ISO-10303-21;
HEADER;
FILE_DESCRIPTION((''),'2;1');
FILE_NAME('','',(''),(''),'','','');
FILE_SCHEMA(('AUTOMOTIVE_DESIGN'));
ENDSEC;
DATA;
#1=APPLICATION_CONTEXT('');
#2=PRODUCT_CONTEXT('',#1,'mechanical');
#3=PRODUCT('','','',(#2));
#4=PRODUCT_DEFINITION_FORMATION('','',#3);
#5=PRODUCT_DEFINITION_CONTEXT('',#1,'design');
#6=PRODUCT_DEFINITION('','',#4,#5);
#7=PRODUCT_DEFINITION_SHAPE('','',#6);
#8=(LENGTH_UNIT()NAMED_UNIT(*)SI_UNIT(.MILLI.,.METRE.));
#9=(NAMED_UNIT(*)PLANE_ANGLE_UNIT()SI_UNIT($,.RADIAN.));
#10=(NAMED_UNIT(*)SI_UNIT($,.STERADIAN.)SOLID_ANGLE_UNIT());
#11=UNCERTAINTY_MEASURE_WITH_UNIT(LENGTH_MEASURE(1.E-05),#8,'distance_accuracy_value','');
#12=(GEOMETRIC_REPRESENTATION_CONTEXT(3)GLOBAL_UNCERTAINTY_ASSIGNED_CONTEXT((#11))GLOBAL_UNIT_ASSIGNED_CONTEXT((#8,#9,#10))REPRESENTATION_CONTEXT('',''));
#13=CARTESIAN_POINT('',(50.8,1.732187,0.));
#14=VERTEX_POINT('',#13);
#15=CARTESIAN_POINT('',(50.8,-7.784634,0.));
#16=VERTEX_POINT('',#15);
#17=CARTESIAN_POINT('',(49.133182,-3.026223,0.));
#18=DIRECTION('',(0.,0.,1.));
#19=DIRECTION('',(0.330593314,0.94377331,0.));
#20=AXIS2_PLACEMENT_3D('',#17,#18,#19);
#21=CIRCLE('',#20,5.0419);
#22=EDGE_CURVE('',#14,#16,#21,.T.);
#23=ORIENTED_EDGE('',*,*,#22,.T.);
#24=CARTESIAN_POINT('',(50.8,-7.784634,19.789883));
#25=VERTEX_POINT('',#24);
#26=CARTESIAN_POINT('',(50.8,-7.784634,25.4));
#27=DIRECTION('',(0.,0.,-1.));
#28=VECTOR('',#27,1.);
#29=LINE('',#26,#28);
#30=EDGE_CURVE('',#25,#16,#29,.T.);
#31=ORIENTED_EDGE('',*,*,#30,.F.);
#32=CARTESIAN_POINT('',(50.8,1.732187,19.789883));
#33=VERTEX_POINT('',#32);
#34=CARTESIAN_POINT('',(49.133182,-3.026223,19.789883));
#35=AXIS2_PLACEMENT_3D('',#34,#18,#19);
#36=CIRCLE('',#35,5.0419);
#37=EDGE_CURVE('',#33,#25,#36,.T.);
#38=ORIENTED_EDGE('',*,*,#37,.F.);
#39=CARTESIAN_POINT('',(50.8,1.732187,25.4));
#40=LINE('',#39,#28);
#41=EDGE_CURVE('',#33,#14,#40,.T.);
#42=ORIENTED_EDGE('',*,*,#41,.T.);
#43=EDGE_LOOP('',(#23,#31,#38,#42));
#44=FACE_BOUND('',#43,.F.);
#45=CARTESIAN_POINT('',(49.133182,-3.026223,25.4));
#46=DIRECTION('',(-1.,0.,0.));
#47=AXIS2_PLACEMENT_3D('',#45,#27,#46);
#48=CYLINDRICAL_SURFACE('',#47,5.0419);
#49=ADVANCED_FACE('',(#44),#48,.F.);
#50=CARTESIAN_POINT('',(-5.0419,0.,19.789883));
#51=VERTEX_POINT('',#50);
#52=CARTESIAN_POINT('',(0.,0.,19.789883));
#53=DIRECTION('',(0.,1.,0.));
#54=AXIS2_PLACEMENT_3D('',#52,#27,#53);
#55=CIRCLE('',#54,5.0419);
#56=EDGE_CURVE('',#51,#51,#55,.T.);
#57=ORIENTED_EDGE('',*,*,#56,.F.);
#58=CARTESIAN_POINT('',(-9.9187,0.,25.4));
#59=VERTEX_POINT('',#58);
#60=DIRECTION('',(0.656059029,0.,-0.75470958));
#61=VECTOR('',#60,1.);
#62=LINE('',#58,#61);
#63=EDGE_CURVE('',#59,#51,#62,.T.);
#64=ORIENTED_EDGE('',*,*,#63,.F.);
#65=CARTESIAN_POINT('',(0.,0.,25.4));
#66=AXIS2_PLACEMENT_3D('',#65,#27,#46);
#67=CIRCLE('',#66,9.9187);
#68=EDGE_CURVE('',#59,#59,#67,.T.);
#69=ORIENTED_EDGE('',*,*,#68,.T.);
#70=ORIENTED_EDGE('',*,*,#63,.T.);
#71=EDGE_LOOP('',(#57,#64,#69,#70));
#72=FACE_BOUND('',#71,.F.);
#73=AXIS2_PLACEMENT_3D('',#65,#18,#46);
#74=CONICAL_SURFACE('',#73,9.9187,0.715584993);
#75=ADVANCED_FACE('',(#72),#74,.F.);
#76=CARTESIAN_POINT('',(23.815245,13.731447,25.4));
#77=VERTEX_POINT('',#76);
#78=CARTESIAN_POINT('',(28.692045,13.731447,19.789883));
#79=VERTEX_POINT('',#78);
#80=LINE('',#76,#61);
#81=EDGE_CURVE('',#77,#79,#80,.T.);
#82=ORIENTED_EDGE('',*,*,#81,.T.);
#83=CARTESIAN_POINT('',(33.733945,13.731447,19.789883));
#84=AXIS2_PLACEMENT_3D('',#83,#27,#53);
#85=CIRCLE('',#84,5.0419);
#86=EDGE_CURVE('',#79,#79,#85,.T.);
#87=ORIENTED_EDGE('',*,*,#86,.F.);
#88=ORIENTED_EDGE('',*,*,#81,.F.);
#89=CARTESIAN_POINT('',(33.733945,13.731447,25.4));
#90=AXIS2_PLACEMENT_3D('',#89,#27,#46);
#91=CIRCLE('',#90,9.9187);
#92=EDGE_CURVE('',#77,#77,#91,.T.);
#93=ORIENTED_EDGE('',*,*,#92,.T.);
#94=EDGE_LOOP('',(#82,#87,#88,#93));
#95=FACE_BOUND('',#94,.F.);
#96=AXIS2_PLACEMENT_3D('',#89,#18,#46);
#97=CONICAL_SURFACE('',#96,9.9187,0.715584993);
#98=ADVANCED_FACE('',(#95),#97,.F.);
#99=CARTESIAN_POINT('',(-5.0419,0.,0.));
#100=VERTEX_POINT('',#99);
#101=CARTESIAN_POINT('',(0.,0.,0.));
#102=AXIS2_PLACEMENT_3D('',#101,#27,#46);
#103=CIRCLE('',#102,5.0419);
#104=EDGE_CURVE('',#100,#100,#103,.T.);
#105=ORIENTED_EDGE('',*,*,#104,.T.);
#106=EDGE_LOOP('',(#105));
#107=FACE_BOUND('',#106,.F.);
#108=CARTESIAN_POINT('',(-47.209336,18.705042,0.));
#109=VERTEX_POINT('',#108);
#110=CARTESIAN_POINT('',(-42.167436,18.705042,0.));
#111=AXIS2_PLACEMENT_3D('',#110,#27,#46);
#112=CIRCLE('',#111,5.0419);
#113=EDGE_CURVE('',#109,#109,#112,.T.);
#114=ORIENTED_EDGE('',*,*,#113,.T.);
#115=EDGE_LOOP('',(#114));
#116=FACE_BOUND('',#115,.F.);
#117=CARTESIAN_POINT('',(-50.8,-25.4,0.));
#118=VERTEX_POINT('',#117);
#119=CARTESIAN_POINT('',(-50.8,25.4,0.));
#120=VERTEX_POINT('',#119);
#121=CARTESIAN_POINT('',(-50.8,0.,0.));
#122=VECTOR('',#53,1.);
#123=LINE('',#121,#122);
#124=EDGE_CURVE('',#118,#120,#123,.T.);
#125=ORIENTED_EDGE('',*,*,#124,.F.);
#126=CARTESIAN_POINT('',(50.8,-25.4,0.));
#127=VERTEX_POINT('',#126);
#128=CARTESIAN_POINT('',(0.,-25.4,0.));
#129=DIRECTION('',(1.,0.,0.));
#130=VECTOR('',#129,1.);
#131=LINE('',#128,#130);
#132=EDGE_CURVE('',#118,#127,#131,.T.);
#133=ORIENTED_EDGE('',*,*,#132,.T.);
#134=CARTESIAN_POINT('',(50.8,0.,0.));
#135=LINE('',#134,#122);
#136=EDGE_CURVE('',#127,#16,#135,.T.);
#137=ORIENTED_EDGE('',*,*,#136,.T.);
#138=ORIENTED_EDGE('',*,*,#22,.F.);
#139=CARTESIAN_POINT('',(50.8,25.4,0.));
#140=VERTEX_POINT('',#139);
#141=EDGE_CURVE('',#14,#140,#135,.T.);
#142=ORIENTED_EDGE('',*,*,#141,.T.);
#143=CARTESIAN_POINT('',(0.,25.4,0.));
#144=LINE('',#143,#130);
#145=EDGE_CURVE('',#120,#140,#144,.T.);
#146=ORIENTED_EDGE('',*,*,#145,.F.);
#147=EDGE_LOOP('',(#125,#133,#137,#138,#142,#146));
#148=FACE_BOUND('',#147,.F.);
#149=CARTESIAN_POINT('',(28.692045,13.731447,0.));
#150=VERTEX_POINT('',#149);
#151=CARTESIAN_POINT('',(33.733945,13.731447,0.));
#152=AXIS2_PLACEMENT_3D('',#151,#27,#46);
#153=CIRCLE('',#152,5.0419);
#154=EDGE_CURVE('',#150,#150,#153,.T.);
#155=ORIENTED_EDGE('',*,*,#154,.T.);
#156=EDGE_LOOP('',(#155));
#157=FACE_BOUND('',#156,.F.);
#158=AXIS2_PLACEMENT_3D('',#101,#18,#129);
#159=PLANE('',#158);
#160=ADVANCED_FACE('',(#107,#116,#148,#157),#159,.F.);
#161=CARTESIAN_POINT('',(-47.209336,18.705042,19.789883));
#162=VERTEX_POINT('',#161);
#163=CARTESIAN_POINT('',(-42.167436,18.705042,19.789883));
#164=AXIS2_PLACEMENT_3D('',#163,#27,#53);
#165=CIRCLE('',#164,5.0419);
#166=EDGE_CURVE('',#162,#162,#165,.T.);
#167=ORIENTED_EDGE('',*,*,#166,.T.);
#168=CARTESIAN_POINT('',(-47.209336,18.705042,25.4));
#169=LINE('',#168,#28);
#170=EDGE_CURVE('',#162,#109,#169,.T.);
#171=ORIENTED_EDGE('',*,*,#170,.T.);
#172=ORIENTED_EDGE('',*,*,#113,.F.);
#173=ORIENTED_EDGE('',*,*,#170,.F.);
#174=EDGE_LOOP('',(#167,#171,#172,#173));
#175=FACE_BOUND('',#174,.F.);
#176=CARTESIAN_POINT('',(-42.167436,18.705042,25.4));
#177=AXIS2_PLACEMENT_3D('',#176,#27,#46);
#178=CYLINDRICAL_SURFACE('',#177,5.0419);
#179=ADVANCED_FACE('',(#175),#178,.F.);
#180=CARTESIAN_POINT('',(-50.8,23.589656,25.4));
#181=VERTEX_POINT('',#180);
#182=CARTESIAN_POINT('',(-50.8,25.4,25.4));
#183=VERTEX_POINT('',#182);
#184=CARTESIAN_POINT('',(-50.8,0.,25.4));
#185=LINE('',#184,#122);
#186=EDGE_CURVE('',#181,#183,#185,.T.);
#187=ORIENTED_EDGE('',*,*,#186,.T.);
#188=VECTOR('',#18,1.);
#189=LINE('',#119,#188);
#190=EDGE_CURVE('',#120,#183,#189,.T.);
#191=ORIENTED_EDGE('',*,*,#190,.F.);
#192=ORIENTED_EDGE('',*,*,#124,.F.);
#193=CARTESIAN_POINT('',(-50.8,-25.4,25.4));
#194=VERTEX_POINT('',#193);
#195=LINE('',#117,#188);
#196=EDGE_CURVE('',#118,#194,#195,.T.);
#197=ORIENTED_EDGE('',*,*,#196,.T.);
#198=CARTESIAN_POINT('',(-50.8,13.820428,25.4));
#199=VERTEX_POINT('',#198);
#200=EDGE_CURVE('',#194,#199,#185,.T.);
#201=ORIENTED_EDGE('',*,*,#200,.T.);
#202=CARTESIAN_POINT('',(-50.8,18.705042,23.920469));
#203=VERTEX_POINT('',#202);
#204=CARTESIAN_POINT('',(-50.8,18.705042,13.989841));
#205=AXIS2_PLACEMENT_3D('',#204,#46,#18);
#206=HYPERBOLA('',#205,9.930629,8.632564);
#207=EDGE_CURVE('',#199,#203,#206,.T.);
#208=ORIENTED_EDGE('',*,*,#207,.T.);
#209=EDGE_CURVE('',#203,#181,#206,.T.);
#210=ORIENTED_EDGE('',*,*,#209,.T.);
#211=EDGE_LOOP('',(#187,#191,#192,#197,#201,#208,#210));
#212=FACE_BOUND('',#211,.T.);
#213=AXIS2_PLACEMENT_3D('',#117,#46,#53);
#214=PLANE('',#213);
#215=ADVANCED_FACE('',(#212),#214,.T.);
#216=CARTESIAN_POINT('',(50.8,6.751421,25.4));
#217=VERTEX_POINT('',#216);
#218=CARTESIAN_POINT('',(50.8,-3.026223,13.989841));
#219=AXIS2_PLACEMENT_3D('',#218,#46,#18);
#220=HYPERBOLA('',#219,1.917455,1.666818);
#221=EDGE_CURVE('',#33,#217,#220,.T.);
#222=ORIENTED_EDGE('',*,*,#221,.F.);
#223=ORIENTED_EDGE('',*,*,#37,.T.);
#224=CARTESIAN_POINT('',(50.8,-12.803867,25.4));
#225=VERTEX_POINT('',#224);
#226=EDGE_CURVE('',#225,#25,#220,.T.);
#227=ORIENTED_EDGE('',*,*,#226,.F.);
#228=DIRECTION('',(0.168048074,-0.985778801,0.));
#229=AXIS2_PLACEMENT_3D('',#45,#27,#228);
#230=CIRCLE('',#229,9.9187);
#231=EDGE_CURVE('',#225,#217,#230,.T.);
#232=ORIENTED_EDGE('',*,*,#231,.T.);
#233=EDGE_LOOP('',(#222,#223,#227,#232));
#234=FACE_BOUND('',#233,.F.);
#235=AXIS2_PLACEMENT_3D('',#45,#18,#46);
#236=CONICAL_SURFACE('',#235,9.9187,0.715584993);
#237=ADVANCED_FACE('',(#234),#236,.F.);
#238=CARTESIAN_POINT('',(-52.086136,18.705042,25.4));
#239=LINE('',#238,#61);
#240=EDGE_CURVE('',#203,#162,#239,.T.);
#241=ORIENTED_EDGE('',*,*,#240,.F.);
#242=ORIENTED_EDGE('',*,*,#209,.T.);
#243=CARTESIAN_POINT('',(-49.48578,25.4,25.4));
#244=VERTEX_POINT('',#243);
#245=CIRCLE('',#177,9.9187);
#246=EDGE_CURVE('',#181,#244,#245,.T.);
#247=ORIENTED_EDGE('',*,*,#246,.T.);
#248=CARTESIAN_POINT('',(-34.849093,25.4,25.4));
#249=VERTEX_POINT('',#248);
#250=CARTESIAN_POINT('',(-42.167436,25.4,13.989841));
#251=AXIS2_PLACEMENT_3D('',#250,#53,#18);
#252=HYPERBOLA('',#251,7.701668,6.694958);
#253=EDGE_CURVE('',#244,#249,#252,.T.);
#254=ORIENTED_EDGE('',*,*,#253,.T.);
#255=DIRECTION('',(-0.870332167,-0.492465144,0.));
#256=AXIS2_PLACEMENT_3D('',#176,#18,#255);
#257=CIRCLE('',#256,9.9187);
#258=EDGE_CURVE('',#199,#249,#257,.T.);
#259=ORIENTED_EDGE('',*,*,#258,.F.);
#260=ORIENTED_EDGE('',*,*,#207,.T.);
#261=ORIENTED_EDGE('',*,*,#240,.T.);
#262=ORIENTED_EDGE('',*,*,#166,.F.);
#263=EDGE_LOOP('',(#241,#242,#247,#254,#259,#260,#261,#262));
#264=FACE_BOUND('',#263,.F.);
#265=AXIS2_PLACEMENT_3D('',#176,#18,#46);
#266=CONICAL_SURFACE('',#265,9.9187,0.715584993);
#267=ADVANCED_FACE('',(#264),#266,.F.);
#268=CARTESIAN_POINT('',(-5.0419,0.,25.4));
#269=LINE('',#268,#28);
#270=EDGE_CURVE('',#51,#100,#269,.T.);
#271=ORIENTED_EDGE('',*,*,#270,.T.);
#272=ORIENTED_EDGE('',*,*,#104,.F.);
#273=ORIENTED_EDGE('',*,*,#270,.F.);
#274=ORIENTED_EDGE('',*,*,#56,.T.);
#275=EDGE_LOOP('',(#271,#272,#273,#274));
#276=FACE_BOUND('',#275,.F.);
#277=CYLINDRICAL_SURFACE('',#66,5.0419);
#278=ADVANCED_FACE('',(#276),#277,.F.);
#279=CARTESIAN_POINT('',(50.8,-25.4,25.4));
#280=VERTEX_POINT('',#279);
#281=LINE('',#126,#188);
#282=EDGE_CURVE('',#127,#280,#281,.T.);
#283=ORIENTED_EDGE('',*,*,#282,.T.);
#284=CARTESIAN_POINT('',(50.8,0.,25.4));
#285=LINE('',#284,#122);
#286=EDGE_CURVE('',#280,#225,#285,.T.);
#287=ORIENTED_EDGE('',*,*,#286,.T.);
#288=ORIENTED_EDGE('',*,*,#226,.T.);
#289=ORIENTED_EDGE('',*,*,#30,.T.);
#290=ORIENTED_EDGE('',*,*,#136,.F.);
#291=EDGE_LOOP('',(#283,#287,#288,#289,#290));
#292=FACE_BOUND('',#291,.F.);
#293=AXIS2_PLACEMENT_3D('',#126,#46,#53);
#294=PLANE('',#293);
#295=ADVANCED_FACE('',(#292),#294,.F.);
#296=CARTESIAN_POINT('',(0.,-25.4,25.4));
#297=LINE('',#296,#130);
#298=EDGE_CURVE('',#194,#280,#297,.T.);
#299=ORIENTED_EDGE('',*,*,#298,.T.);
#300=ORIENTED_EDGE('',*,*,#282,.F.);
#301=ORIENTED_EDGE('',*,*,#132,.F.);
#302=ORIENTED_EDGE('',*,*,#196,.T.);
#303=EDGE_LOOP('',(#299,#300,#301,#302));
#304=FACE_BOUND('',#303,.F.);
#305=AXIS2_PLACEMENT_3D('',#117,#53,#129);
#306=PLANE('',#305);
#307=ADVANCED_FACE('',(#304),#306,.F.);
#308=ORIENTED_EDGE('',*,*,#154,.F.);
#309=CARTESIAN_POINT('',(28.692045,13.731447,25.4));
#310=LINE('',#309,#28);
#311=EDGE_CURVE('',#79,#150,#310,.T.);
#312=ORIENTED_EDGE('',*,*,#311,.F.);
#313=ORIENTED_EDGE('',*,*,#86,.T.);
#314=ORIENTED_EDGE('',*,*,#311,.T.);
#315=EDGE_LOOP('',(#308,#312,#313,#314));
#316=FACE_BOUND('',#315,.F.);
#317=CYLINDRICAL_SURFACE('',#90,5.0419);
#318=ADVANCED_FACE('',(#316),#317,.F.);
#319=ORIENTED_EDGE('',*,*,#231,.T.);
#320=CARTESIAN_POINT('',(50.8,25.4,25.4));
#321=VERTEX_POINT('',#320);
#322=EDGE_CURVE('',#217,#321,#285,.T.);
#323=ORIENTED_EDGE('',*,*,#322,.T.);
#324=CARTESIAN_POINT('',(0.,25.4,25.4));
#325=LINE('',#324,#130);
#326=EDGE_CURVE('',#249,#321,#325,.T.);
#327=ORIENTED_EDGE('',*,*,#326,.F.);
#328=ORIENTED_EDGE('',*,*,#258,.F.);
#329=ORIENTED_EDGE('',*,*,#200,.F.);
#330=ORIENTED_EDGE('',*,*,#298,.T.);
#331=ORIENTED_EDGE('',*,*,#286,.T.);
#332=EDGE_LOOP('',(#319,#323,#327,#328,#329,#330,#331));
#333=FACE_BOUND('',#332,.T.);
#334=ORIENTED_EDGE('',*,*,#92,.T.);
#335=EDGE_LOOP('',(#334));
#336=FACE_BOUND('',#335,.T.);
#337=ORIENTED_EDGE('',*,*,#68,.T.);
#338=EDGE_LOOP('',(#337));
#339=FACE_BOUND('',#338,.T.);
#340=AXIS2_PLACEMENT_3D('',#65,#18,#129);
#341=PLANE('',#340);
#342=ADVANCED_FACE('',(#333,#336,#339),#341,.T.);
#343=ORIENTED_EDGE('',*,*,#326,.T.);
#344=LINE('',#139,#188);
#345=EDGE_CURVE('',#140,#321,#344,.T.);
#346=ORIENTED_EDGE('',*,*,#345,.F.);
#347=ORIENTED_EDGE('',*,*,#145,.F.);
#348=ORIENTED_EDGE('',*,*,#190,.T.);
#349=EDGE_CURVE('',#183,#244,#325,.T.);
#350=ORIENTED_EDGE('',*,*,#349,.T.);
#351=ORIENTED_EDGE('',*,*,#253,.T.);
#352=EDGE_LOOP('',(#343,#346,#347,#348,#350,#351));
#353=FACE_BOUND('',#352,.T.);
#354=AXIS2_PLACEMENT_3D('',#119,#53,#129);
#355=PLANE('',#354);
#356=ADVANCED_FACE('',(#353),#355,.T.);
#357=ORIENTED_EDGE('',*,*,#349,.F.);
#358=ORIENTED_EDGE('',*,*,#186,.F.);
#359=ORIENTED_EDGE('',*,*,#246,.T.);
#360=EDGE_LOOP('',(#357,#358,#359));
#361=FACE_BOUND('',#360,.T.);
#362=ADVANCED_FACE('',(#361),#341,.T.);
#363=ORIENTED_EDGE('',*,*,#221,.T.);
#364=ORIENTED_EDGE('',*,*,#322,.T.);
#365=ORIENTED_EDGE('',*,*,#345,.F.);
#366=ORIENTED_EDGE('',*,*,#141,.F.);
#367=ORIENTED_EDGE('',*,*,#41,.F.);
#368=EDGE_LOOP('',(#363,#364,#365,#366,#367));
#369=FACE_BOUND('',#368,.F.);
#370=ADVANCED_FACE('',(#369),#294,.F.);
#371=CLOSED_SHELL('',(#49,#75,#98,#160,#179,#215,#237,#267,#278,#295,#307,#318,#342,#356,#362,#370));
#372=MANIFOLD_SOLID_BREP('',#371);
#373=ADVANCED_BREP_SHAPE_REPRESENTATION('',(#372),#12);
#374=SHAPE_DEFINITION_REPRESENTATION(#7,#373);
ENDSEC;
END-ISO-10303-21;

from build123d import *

# Parameters (mm, degrees)
F0_W           = 101.6
F0_H           = 50.8
F1_DEPTH       = 25.4
F4_D           = 10.0838
F4_CSINK_D     = 19.8374
F4_CSINK_ANGLE = 82


with BuildPart() as f1:
    # F0 (on Top) → F1 (new body)
    with BuildSketch(Plane.XY):
        Rectangle(F0_W, F0_H)
    extrude(amount=F1_DEPTH)

    # F4 (through all)
    with Locations(Plane.XY.offset(25.4)):
        with Locations((-42.1674363315, 18.7050420791), (0, 0), (33.7339453399, 13.7314470485), (49.133181572, -3.0262232758)):
            CounterSinkHole(F4_D / 2, F4_CSINK_D / 2, counter_sink_angle=F4_CSINK_ANGLE)


solid = f1.part
